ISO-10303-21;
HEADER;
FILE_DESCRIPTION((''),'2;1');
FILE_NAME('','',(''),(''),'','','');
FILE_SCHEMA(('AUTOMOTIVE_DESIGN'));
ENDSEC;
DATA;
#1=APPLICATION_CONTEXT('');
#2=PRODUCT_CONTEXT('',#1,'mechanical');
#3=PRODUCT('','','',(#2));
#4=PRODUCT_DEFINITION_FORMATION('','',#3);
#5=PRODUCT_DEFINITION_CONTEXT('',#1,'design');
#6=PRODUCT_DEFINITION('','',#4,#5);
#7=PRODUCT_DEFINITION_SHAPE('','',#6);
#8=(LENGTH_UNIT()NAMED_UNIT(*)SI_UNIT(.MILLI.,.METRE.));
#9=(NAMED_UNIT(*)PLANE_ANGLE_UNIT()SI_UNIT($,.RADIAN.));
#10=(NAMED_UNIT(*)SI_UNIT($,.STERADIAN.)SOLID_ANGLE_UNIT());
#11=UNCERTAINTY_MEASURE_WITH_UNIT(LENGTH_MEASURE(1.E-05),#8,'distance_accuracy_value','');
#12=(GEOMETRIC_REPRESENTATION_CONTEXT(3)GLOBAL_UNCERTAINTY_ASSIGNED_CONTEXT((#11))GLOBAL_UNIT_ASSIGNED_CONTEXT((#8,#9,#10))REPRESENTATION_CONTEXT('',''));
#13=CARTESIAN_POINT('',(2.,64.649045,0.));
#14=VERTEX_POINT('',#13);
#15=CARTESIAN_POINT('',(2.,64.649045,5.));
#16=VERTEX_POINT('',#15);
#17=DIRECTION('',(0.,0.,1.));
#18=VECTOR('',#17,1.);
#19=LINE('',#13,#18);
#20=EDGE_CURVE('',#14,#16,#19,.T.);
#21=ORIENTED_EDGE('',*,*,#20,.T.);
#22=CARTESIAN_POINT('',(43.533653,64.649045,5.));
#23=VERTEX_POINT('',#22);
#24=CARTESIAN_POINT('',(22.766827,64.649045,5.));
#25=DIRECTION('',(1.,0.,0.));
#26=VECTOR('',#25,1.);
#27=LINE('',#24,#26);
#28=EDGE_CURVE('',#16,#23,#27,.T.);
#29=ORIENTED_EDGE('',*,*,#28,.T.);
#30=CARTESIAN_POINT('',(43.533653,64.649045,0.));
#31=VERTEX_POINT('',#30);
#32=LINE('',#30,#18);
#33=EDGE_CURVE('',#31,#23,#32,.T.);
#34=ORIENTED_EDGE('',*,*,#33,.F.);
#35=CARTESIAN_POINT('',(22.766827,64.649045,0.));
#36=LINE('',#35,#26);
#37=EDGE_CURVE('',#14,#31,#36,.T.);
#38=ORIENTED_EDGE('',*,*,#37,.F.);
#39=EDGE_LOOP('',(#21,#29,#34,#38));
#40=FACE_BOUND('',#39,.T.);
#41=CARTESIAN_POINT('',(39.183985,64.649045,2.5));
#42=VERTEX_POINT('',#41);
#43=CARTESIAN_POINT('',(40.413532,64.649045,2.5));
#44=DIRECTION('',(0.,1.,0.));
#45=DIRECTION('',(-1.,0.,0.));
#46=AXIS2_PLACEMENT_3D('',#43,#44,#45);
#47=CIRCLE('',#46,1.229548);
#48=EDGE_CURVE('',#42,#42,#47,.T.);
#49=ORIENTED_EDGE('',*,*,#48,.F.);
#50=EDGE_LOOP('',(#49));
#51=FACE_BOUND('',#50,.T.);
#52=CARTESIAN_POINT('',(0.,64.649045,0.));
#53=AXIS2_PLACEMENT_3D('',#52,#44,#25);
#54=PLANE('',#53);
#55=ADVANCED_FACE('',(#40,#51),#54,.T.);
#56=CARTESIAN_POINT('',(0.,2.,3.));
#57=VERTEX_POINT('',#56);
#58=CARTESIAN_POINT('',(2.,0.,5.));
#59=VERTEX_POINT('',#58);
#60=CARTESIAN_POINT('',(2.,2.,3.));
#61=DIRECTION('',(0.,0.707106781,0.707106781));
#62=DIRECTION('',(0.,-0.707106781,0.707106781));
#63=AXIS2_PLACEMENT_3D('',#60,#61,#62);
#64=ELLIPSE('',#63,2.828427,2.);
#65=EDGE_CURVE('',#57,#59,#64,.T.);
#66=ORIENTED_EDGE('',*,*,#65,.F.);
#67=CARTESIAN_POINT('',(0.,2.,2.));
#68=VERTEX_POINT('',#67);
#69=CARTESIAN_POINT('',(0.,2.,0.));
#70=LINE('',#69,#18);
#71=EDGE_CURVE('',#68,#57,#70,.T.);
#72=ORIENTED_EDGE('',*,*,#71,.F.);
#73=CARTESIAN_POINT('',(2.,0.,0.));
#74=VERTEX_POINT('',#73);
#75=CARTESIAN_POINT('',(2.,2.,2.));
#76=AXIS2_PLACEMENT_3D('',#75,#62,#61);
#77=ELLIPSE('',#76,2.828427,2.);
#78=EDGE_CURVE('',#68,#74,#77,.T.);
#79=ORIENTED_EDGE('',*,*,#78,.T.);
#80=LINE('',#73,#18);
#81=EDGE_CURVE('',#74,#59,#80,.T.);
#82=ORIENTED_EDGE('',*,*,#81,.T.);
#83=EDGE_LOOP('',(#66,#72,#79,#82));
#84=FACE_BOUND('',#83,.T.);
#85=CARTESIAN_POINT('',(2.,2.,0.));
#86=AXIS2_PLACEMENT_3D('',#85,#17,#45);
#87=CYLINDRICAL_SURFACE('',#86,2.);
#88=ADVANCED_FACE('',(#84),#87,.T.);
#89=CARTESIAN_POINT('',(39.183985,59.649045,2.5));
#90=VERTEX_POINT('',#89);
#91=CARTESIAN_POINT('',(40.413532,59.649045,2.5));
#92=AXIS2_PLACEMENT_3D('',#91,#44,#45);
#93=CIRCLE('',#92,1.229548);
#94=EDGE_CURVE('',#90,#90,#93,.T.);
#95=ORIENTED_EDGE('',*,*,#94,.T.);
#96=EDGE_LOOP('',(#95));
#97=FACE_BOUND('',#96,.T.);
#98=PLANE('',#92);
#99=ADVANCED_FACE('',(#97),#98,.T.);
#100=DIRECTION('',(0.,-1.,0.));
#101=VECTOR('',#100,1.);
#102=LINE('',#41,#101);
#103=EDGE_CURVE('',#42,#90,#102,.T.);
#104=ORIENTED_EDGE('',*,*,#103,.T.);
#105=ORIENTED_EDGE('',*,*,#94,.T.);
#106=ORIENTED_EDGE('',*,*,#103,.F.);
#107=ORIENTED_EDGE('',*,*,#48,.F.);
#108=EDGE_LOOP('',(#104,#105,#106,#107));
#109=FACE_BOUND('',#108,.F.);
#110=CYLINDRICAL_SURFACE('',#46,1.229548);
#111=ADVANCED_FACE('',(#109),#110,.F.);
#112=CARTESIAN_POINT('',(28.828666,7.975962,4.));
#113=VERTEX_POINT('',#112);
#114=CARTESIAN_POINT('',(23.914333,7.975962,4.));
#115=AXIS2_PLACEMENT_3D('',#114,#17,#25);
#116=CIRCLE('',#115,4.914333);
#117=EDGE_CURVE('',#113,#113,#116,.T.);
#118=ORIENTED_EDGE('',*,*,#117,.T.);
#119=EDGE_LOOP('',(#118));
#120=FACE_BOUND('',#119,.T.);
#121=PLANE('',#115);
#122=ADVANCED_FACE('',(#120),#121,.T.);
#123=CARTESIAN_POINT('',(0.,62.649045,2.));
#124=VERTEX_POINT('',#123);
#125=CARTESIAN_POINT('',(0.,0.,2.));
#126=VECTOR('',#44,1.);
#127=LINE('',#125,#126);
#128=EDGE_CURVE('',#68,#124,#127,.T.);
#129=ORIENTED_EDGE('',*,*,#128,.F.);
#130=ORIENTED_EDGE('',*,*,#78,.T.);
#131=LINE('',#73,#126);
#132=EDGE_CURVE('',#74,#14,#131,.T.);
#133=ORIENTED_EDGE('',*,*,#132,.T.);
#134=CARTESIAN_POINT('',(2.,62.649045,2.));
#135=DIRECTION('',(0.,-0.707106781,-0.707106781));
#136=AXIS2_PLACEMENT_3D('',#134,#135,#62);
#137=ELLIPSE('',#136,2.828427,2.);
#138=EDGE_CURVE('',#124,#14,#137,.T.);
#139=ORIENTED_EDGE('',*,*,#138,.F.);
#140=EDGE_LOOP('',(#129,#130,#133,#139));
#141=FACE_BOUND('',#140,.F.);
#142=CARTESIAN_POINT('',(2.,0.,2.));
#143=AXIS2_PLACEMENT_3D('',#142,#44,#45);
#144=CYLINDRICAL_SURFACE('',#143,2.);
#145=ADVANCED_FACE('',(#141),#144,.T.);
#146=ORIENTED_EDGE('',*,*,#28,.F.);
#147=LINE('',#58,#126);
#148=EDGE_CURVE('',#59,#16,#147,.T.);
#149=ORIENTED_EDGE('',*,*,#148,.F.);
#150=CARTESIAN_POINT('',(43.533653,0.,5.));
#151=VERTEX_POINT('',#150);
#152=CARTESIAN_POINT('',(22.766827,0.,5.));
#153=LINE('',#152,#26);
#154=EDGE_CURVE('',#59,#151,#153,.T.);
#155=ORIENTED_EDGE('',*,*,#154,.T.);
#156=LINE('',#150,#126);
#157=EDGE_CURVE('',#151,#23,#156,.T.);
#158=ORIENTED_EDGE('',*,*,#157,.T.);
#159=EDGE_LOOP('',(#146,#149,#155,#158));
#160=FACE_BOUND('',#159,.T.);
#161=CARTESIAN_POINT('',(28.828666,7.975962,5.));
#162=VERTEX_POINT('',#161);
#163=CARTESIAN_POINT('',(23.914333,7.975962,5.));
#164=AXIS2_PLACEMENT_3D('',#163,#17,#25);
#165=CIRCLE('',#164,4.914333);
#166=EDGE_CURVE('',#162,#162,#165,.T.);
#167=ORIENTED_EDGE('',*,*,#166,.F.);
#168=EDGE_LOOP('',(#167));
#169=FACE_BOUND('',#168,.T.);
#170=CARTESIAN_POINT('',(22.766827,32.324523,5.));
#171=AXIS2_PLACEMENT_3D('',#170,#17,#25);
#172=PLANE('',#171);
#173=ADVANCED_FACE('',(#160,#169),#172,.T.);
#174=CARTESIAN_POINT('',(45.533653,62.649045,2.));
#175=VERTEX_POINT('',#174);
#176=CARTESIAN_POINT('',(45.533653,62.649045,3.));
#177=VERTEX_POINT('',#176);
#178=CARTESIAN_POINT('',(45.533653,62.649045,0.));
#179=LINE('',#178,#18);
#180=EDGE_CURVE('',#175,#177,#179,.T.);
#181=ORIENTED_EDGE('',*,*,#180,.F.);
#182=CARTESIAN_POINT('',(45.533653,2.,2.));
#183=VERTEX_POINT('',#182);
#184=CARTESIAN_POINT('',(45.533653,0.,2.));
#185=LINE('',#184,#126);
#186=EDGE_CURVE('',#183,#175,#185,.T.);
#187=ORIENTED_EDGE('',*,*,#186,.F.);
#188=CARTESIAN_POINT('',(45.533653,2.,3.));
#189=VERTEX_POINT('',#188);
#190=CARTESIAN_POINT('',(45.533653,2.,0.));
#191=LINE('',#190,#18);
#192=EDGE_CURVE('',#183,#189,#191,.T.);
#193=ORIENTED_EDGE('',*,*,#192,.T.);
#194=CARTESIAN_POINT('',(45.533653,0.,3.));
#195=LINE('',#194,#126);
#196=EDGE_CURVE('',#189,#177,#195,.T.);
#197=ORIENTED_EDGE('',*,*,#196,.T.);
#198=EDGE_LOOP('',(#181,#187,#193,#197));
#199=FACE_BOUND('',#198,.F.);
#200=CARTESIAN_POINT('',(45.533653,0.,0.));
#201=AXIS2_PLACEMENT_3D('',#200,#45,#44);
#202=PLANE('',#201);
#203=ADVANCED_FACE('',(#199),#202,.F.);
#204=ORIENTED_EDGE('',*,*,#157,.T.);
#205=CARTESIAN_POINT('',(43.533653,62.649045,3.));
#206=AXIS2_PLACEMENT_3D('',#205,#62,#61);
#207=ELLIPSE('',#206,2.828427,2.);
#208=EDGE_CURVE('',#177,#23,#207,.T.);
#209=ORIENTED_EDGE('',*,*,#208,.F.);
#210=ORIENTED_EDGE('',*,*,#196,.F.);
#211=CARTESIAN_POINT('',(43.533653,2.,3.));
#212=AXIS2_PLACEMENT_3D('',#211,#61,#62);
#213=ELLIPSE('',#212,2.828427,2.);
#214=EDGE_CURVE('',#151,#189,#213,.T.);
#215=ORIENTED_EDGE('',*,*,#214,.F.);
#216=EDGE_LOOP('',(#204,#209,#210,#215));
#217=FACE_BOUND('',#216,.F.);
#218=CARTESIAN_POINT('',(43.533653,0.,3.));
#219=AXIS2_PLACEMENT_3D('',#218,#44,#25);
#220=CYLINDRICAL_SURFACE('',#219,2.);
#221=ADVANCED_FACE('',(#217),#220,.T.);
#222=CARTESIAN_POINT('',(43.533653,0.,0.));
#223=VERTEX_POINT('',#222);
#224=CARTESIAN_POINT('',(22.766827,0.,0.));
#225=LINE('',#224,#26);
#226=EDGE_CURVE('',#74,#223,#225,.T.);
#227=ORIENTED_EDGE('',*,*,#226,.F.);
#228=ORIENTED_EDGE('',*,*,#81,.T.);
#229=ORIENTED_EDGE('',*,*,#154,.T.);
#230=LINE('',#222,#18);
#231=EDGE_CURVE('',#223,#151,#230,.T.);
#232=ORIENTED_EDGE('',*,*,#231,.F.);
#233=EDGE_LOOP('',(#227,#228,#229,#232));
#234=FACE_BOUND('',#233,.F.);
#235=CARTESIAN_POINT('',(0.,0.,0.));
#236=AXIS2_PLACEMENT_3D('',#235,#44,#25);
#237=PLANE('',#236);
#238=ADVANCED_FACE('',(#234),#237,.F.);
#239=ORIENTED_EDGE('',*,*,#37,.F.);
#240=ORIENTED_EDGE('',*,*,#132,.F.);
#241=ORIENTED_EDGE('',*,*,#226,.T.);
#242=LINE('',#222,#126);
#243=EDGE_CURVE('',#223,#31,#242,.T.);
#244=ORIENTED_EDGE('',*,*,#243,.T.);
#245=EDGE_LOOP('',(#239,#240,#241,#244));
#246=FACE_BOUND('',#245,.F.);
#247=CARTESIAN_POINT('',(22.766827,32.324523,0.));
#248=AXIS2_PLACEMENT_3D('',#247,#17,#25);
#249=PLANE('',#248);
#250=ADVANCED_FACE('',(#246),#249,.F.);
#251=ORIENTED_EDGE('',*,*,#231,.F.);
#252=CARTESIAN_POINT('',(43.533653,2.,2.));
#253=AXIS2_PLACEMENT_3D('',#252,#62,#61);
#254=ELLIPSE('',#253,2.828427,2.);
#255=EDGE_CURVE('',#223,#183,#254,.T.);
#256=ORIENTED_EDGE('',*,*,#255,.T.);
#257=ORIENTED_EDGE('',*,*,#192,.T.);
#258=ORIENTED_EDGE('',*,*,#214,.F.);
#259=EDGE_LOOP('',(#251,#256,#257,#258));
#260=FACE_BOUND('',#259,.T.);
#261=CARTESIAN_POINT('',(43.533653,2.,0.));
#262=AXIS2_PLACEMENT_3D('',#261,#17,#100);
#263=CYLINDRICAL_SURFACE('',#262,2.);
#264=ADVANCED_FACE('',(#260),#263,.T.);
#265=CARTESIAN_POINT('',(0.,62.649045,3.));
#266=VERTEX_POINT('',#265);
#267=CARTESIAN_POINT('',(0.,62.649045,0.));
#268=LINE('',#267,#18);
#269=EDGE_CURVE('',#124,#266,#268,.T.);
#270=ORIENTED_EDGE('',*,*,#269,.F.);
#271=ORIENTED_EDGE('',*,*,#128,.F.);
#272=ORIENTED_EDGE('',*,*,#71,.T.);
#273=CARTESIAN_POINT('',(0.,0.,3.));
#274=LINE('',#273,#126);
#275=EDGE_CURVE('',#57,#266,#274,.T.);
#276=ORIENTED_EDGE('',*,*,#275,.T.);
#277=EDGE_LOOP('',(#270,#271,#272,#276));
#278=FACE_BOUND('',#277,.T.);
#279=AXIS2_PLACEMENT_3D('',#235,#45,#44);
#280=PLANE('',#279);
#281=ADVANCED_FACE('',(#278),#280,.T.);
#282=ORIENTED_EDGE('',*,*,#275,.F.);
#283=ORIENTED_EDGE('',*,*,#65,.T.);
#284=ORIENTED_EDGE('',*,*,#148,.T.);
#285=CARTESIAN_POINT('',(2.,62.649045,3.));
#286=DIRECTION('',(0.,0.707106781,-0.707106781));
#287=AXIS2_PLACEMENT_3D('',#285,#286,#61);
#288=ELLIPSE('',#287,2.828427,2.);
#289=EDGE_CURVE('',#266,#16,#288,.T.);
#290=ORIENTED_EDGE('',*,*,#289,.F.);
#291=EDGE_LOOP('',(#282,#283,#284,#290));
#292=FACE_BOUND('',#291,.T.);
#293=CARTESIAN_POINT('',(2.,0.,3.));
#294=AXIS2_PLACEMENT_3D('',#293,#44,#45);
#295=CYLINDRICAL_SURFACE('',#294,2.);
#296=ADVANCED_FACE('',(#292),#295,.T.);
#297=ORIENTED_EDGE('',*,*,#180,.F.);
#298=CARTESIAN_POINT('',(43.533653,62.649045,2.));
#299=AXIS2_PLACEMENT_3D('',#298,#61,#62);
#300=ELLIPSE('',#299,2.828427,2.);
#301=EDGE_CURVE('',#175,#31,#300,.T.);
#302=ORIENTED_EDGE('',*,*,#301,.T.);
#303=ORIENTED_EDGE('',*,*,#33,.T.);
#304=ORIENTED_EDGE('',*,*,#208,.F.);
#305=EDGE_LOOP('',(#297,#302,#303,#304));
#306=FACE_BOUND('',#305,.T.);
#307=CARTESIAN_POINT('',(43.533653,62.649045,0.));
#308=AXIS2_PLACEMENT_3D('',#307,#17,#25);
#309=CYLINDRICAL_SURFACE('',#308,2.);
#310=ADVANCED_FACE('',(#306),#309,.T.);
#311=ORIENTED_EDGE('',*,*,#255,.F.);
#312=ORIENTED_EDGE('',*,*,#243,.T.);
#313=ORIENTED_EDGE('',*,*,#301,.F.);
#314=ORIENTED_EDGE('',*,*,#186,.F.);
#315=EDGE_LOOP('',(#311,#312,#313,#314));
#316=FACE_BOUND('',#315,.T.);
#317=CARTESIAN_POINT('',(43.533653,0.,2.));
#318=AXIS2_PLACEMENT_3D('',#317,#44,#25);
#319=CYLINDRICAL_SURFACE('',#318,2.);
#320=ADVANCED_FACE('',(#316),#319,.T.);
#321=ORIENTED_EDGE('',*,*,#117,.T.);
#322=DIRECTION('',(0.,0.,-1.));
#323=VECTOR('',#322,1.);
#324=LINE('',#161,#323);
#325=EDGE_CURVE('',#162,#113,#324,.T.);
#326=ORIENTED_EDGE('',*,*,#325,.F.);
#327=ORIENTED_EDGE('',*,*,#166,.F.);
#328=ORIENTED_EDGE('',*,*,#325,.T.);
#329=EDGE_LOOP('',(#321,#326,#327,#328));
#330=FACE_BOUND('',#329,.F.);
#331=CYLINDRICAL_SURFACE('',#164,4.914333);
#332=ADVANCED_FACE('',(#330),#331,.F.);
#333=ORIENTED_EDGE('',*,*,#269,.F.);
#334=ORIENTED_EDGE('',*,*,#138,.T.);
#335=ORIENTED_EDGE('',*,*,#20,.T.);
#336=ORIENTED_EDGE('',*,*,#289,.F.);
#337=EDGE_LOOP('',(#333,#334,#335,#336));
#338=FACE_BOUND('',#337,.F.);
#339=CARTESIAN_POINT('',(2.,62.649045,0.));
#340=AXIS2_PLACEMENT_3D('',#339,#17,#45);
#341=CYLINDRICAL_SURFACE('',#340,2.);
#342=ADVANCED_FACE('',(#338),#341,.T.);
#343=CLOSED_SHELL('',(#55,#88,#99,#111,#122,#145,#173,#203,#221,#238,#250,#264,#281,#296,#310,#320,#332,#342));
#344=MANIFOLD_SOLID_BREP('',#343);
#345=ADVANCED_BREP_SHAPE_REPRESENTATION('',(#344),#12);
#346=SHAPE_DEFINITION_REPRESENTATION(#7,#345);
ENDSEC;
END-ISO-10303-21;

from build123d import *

# Parameters (mm, degrees)
F0_W     = 45.5336533487
F0_H     = 64.6490454674
F1_DEPTH = 5
F2_R     = 2
F3_R     = 4.9143331214
F4_DEPTH = 1
F5_R     = 1.2295476181
F6_DEPTH = 5


with BuildPart() as f1:
    # F0 (on Top) → F1 (new body)
    with BuildSketch(Plane.XY):
        with Locations((22.7668266743, 32.3245227337)):
            Rectangle(F0_W, F0_H)
    extrude(amount=F1_DEPTH)

    # F2
    f2_edges = [f1.edges().sort_by_distance(p)[0] for p in [
        (0, 64.649045, 2.5),
        (0, 0, 2.5),
        (0, 32.324523, 0),
        (0, 32.324523, 5),
        (45.533653, 0, 2.5),
        (45.533653, 64.649045, 2.5),
        (45.533653, 32.324523, 0),
        (45.533653, 32.324523, 5),
    ]]
    fillet(f2_edges, radius=F2_R)

    # F3 (on face) → F4 (cut)
    with BuildSketch(Plane.XY.offset(5)):
        with Locations((23.9143331214, 7.975962013)):
            Circle(F3_R)
    extrude(amount=-F4_DEPTH, mode=Mode.SUBTRACT)

    # F5 (on face) → F6 (cut)
    with BuildSketch(Plane(origin=(0, 64.6490454674, 0), x_dir=(-1, 0, 0), z_dir=(0, 1, 0))):
        with Locations((-40.4135324061, 2.5)):
            Circle(F5_R)
    extrude(amount=-F6_DEPTH, mode=Mode.SUBTRACT)


solid = f1.part
